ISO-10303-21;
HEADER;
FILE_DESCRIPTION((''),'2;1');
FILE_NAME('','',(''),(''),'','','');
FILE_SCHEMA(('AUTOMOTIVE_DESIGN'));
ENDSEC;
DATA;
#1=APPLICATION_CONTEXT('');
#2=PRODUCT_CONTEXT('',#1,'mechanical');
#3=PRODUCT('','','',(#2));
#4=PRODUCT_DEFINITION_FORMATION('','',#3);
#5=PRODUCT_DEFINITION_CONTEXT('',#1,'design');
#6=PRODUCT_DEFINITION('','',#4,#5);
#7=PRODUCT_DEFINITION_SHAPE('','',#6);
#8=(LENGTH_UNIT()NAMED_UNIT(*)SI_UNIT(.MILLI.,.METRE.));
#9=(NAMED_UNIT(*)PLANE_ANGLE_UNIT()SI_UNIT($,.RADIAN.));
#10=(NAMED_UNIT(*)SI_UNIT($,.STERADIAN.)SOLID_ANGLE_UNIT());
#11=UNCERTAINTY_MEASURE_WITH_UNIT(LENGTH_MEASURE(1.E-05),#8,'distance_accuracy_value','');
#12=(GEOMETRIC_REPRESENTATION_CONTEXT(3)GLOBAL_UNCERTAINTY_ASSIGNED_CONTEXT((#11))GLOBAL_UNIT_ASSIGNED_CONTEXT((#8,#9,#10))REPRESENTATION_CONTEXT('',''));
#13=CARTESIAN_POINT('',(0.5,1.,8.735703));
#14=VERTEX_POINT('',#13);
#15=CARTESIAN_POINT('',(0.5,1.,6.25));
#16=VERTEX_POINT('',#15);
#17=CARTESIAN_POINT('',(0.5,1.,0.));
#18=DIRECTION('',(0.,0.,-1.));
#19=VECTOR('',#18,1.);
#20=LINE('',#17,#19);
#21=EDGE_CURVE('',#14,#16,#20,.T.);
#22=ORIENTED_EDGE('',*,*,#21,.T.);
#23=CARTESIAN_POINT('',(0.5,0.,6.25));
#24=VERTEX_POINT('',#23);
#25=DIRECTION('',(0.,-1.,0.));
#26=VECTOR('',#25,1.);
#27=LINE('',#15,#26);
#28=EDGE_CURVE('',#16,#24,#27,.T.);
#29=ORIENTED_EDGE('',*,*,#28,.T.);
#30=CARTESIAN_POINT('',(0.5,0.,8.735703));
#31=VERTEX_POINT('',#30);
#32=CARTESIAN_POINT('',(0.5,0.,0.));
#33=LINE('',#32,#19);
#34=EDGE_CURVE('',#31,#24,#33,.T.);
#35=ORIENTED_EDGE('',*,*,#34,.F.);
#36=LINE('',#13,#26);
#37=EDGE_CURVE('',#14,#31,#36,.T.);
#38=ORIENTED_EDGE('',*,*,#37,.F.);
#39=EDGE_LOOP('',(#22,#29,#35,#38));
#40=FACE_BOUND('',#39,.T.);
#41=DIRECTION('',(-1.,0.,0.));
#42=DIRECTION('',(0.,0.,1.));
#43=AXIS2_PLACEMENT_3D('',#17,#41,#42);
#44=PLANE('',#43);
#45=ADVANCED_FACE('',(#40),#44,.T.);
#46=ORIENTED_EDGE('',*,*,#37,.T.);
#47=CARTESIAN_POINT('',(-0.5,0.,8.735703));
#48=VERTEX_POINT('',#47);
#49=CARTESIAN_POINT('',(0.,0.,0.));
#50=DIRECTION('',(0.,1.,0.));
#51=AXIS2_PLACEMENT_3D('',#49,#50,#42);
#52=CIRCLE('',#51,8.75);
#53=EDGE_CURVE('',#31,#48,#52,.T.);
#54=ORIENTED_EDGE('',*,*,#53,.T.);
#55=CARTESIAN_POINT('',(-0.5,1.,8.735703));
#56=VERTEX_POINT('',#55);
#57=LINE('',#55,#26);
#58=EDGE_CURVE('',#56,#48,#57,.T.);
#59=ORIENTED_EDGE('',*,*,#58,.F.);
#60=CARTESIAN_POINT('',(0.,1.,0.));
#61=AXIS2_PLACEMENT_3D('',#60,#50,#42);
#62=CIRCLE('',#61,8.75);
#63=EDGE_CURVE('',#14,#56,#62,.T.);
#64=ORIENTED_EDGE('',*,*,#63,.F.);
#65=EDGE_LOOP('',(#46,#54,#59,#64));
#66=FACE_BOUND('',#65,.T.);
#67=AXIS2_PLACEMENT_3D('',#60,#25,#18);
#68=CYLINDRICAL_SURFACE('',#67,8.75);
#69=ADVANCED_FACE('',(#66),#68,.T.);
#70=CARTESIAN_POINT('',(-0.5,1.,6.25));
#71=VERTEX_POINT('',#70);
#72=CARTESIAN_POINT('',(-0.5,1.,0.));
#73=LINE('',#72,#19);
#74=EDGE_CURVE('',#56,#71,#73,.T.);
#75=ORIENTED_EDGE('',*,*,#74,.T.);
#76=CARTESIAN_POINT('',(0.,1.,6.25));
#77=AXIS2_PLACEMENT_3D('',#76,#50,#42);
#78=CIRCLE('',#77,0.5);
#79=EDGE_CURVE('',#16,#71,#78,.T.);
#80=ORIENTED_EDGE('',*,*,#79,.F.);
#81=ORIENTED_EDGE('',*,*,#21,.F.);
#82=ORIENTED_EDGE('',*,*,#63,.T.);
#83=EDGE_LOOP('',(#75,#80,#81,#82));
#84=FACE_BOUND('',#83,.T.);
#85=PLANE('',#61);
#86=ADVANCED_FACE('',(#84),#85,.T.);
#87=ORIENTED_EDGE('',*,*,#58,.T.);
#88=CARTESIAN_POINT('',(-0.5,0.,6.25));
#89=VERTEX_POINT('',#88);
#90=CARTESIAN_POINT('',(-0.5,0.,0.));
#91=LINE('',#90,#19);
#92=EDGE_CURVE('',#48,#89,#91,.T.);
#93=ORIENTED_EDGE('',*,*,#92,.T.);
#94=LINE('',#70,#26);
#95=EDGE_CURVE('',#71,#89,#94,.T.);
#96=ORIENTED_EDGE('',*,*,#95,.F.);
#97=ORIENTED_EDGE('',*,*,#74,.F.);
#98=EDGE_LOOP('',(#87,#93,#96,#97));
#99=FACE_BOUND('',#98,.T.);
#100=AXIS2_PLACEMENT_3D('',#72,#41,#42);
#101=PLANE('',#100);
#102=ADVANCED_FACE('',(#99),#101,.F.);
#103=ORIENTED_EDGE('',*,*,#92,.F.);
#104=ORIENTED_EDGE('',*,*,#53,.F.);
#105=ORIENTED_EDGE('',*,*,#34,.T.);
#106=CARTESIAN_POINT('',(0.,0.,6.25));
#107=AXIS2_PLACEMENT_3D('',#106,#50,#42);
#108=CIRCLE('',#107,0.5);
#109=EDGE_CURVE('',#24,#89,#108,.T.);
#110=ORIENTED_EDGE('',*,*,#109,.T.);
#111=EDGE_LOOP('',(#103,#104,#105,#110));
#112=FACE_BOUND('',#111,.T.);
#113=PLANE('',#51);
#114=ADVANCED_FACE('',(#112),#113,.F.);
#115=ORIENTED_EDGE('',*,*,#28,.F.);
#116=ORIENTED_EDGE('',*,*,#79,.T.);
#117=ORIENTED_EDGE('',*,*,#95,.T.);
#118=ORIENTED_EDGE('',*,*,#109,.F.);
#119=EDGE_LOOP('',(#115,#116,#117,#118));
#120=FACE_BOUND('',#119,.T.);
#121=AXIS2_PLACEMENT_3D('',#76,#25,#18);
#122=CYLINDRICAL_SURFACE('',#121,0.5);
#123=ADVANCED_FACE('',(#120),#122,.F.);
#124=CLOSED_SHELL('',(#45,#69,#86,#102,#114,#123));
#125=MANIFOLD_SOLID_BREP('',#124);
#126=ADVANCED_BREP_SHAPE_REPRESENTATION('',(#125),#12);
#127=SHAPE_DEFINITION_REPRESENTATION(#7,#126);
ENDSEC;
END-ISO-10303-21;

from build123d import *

# Parameters (mm, degrees)
BOSS_EXTRUDE1_DEPTH = 1


with BuildPart() as part:
    # Sketch1 → Boss-Extrude1 (new body)
    with BuildSketch(Plane(origin=(0, 0, 0), x_dir=(1, 0, 0), z_dir=(0, 1, 0))):
        with BuildLine():
            ThreePointArc((8.75, 0), (-6.00780742, 6.361505325), (-0.5, -8.735702605))
            Line((-0.5, -8.735702605), (-0.5, -6.25))
            ThreePointArc((-0.5, -6.25), (0, -5.75), (0.5, -6.25))
            Line((0.5, -6.25), (0.5, -8.735702605))
            ThreePointArc((0.5, -8.735702605), (6.361505325, -6.00780742), (8.75, 0))
        make_face()
    extrude(amount=BOSS_EXTRUDE1_DEPTH)


solid = part.part
